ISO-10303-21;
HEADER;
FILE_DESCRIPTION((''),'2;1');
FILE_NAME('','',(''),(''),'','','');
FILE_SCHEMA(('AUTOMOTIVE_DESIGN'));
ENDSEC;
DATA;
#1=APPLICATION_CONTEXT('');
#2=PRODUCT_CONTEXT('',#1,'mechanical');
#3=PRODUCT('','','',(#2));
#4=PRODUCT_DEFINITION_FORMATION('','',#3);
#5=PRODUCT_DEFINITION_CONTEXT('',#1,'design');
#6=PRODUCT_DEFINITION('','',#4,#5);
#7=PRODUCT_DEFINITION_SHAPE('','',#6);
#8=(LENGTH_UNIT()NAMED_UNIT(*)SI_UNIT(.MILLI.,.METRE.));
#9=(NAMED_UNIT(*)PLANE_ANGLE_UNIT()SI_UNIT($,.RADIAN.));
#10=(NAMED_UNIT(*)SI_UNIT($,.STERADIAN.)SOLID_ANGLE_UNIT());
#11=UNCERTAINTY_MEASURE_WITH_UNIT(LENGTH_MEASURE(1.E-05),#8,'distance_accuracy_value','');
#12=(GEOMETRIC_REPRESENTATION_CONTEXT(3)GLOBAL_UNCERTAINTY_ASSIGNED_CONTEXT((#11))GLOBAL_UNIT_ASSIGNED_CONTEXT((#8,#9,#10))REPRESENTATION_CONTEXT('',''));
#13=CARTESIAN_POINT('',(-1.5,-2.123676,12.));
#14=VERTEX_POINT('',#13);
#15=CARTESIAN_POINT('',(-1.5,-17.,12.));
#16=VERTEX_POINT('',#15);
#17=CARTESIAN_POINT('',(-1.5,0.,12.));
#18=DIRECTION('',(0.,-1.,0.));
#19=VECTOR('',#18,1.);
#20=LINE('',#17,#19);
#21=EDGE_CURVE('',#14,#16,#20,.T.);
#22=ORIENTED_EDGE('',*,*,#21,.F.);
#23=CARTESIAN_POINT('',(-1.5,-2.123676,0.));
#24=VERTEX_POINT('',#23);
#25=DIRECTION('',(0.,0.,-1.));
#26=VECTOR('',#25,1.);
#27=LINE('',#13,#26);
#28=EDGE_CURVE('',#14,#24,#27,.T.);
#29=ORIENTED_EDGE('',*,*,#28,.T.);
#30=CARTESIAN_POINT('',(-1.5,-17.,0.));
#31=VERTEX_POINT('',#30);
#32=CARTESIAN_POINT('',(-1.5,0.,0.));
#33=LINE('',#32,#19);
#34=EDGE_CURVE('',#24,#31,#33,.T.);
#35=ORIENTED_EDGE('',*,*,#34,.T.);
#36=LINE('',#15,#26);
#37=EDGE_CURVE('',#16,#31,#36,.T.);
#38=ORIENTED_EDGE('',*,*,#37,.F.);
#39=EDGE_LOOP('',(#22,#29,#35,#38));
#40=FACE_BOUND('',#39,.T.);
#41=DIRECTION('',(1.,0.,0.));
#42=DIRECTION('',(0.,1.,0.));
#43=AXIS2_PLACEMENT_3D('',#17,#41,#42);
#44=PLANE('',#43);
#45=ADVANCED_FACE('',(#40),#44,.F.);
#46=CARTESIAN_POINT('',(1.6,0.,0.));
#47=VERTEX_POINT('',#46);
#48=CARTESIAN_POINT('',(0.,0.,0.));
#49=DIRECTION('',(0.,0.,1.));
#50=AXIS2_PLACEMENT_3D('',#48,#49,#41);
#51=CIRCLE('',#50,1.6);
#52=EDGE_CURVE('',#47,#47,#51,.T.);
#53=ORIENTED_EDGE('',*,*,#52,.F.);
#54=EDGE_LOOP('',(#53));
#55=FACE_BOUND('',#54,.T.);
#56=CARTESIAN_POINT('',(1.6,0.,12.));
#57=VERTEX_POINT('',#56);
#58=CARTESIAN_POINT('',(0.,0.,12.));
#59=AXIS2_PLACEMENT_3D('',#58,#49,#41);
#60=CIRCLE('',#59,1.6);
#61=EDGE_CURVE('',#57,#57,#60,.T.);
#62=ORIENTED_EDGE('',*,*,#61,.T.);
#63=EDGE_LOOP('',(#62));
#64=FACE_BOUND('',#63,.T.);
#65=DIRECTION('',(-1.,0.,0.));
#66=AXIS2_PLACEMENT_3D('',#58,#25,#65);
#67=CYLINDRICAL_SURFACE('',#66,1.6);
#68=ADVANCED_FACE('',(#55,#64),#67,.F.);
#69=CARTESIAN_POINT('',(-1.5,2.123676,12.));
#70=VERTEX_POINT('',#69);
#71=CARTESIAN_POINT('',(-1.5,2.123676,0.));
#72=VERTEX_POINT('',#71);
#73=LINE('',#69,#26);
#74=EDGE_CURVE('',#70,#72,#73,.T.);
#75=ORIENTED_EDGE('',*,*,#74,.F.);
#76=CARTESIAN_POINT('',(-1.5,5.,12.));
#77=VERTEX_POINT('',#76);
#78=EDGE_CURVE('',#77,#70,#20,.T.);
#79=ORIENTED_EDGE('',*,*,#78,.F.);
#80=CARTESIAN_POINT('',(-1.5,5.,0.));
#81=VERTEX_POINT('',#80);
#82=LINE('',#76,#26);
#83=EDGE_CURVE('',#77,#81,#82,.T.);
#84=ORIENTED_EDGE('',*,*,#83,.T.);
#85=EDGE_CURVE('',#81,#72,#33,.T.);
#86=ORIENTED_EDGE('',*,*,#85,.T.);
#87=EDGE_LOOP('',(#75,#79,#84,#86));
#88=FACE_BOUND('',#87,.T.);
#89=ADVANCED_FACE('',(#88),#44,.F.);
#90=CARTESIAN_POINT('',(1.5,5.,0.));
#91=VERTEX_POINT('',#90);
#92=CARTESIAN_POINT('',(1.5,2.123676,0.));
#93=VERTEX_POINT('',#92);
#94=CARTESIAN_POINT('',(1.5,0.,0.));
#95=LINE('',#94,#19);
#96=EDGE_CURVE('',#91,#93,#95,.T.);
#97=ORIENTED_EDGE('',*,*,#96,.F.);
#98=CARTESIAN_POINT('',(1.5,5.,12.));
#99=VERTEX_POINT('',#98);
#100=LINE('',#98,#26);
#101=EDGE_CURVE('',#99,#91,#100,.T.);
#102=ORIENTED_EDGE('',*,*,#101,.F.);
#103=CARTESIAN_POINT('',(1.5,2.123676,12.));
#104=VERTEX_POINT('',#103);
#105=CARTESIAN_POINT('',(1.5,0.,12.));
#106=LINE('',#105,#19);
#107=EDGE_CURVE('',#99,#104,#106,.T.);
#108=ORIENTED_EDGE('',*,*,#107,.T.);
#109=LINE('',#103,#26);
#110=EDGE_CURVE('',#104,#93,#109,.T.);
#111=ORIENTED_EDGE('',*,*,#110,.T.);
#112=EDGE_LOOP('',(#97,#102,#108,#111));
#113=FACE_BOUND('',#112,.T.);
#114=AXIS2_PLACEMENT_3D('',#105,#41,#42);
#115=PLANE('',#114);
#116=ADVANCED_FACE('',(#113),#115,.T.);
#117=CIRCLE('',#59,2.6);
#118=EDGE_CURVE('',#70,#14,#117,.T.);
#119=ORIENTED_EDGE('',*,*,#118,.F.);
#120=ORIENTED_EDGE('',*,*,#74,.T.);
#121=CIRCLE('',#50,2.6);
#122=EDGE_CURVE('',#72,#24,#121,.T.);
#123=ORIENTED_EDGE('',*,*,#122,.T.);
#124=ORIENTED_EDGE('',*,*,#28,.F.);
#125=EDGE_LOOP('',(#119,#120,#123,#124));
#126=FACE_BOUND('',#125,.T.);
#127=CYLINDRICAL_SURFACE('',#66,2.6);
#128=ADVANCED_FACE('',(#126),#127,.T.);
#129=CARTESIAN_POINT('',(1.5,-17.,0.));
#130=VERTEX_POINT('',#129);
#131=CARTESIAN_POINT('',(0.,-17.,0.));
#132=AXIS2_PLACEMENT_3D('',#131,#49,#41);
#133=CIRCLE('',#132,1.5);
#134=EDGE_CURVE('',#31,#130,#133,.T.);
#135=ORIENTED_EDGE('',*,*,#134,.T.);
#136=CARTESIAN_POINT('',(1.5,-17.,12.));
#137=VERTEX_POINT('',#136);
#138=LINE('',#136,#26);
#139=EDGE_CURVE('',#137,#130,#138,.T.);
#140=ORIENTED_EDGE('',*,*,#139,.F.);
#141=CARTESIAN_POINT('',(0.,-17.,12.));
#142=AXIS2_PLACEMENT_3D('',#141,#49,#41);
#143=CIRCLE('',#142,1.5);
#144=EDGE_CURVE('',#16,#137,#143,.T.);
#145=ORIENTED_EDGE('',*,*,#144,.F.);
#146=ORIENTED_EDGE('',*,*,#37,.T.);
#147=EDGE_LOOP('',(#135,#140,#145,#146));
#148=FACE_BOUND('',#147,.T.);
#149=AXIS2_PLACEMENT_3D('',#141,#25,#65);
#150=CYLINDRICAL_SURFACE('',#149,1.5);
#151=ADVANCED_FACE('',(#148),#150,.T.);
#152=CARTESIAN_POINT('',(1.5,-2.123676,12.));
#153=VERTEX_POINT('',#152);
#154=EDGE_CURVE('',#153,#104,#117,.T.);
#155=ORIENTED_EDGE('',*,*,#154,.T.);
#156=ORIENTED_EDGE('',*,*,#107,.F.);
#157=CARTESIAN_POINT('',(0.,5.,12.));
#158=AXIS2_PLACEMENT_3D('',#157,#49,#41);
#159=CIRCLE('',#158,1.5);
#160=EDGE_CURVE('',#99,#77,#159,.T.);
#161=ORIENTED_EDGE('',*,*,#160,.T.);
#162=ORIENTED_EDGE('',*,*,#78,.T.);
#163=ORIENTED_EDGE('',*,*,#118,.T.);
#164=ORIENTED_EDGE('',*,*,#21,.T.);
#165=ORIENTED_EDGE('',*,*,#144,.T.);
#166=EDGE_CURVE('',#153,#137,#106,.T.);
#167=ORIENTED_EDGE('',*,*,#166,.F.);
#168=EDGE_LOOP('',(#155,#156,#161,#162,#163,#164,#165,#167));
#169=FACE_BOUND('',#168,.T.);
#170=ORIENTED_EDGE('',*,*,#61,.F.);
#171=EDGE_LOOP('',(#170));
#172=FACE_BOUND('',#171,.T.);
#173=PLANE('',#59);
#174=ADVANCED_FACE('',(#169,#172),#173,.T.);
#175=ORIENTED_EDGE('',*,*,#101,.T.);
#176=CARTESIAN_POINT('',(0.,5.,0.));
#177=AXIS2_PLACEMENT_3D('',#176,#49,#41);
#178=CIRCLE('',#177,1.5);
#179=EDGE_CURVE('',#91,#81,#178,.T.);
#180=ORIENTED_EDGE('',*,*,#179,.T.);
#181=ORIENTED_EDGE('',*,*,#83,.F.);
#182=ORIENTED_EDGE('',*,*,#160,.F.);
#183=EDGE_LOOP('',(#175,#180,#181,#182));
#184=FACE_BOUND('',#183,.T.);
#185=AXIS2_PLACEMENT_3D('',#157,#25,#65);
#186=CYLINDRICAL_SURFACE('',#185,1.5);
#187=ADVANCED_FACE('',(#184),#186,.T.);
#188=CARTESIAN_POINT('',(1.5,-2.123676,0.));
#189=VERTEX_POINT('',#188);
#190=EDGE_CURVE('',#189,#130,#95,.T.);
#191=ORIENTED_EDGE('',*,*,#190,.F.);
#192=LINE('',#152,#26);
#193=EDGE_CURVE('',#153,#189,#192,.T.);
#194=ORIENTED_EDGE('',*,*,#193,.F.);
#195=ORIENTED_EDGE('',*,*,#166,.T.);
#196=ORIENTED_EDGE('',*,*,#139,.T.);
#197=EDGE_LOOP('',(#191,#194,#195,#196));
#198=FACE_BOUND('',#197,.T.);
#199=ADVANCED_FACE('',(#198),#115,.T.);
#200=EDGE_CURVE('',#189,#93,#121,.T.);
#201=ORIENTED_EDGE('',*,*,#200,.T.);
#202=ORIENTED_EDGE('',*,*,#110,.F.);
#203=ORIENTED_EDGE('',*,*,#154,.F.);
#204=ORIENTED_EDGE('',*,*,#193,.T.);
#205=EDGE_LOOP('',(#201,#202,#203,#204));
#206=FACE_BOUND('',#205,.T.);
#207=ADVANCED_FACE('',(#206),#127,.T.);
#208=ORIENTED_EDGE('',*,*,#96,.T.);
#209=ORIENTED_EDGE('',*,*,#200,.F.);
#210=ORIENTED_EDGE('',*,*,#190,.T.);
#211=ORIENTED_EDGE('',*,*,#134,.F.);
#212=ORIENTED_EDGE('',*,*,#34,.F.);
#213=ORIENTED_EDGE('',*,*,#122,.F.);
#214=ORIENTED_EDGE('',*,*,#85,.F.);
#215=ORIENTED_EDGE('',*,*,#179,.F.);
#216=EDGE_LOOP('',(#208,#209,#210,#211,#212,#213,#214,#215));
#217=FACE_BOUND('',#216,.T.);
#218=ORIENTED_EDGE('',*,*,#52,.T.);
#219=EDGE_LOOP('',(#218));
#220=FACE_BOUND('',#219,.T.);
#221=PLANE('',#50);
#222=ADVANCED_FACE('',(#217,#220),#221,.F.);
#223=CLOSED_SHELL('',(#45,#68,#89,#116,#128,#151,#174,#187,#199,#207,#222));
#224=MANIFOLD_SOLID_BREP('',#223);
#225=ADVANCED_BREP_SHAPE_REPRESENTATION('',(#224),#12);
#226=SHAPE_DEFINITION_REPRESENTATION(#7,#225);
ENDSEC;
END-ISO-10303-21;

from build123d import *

# Parameters (mm, degrees)
SKETCH_1_R      = 1.6
EXTRUDE_1_DEPTH = 12


with BuildPart() as part:
    # 草图1 → 凸台-拉伸1 (new body)
    with BuildSketch(Plane.XY):
        with BuildLine():
            ThreePointArc((-1.5, 2.123676058), (-2.6, 0), (-1.5, -2.123676058))
            Line((-1.5, -2.123676058), (-1.5, -17))
            ThreePointArc((-1.5, -17), (0, -18.5), (1.5, -17))
            Line((1.5, -17), (1.5, -2.123676058))
            ThreePointArc((1.5, -2.123676058), (2.6, 0), (1.5, 2.123676058))
            Line((1.5, 2.123676058), (1.5, 5))
            ThreePointArc((1.5, 5), (0, 6.5), (-1.5, 5))
            Line((-1.5, 5), (-1.5, 2.123676058))
        make_face()
        Circle(SKETCH_1_R, mode=Mode.SUBTRACT)
    extrude(amount=EXTRUDE_1_DEPTH)


solid = part.part
